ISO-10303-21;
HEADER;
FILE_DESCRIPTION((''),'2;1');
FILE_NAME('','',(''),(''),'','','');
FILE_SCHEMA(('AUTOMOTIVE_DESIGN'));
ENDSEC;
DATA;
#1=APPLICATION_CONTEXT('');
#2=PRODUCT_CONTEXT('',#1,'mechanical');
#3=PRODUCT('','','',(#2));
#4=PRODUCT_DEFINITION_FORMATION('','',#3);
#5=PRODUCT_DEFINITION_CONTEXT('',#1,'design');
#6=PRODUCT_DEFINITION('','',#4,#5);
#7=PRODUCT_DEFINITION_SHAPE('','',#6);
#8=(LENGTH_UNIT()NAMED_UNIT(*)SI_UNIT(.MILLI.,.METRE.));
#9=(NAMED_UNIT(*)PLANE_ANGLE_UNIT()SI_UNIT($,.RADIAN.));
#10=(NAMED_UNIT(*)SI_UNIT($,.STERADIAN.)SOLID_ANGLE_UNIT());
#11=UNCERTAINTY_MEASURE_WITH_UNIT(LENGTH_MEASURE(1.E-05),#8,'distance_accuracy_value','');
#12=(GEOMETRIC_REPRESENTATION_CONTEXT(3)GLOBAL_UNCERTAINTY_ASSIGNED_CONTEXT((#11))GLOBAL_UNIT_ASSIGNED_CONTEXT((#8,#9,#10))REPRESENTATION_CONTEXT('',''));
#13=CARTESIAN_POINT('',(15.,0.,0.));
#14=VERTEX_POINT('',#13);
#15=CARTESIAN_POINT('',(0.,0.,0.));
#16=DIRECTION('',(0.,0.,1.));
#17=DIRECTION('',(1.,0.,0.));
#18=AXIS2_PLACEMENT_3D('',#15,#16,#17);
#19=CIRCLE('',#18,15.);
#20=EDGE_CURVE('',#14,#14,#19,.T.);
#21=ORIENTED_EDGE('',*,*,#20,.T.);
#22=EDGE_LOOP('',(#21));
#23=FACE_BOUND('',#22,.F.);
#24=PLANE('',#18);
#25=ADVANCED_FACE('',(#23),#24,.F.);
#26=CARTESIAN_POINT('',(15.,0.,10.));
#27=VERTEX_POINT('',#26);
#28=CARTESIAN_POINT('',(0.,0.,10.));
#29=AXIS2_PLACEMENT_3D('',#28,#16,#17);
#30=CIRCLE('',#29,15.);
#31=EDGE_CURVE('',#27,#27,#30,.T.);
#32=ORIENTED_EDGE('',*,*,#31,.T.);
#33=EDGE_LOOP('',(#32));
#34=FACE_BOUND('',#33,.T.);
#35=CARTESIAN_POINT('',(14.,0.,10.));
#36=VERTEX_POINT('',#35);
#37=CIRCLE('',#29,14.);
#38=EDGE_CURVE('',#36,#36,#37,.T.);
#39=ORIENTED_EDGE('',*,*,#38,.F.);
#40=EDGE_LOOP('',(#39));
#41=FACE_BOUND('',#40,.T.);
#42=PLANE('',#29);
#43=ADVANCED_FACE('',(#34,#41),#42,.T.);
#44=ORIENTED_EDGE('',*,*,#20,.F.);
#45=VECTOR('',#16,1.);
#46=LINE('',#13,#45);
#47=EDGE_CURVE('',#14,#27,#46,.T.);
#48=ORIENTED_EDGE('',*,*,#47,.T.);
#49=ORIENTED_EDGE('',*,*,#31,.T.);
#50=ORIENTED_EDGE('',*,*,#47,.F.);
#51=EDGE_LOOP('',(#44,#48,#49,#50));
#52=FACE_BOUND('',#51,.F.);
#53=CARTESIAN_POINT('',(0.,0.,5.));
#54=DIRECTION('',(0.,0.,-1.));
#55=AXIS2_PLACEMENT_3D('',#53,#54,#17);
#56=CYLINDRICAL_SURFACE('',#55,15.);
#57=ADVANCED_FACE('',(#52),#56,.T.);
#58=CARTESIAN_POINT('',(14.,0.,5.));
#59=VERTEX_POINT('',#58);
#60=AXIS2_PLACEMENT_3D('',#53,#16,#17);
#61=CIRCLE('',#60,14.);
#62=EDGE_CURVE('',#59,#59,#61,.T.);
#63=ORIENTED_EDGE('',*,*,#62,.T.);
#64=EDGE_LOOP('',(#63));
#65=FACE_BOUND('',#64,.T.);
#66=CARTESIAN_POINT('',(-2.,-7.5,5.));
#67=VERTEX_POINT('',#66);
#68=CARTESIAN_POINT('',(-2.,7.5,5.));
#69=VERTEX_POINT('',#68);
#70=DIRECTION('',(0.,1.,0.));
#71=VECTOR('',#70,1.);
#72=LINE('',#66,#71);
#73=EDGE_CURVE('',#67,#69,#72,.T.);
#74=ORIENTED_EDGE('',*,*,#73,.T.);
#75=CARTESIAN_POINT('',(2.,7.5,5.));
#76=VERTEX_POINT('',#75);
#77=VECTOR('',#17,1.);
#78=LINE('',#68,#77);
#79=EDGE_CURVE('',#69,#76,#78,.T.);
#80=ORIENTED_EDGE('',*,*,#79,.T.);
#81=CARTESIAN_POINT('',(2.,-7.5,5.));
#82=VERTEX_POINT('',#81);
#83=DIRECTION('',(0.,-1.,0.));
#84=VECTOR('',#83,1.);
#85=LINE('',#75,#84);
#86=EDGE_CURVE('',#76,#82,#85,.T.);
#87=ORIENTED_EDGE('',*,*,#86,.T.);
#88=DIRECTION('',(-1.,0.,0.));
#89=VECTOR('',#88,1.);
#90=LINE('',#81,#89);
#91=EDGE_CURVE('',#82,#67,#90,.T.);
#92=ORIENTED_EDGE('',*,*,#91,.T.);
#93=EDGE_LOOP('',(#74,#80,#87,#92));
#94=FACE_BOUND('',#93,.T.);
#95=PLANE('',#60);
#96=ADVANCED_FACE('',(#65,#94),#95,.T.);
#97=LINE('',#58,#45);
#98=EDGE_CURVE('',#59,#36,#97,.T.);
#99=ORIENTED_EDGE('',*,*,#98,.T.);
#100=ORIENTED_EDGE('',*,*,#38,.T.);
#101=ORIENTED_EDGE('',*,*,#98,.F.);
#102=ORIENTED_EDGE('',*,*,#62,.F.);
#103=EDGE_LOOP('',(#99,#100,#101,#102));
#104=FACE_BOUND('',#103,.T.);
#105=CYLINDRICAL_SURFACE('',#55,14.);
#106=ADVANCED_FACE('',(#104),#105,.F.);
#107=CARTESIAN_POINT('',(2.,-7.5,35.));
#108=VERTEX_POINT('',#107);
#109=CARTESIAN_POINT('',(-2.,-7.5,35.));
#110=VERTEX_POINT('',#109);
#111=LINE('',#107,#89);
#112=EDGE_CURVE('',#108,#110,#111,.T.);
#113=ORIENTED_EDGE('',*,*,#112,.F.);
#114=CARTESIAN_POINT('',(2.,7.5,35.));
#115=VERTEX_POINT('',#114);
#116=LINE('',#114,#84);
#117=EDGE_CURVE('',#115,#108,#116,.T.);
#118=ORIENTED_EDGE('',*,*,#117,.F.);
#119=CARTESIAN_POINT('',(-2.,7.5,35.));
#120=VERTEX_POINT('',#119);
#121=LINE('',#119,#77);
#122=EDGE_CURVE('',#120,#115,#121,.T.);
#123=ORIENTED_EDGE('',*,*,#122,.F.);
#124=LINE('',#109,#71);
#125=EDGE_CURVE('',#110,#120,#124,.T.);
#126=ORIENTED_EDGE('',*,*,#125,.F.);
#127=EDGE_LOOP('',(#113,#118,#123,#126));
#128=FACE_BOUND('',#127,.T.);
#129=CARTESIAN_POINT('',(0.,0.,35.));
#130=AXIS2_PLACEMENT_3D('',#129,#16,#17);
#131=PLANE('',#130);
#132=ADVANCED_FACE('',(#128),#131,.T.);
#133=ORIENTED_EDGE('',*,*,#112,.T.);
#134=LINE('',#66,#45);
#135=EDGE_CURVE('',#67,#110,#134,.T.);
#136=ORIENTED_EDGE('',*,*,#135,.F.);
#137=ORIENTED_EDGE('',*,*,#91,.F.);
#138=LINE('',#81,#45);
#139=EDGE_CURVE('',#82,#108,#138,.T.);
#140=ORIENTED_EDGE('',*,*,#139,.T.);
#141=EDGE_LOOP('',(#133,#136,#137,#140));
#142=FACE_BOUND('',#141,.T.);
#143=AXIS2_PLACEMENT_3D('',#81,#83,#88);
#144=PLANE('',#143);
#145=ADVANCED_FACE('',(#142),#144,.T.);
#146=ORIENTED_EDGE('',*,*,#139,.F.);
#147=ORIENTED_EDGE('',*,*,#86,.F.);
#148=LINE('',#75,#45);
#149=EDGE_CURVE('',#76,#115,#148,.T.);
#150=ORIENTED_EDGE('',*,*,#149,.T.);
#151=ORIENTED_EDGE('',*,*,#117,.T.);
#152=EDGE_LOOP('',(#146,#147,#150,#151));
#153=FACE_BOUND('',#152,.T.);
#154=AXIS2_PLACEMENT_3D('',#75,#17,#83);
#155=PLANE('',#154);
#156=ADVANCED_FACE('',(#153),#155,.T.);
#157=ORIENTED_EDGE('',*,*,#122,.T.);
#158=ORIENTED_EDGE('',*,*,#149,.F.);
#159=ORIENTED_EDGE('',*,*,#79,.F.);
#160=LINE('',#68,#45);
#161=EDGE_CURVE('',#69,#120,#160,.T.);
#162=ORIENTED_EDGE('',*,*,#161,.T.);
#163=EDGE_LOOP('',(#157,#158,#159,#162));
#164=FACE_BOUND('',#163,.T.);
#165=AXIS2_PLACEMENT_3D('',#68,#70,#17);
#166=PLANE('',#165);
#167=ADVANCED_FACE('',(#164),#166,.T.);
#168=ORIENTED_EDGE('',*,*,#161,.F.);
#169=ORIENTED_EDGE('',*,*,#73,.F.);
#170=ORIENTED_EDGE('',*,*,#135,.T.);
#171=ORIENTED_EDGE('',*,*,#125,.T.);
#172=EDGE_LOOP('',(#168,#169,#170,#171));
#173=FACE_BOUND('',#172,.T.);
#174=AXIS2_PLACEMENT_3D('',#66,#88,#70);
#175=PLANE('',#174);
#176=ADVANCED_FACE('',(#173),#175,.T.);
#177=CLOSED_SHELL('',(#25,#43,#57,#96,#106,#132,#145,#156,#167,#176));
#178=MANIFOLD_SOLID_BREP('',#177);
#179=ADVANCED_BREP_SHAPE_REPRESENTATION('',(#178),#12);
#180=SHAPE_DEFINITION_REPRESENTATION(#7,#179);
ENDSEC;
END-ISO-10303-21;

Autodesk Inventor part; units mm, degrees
ref_plane "YZ Plane" through (0, 0, 0) normal (1, 0, 0) x (0, 1, 0)
ref_plane "XZ Plane" through (0, 0, 0) normal (0, 1, 0) x (-1, 0, 0)
ref_plane "XY Plane" through (0, 0, 0) normal (0, 0, 1) x (1, 0, 0)
sketch "Sketch2" plane through (0, 0, 0) normal (0, 0, 1) x (1, 0, 0)
  line L0 (-21, 0) -> (21, 0) construction
  line L1 (0, -21) -> (0, 21) construction
  circle A0 centre (0, 0) radius 15
  dimension "d0" = 30
extrude "Extrusion1" add sketch "Sketch2" along normal blind 5
sketch "Sketch3" plane through (0, 0, 5) normal (0, 0, 1) x (1, 0, 0)
  line L0 (-21, 0) -> (21, 0) construction
  line L1 (0, -21) -> (0, 21) construction
  line L2 (-2, 7.5) -> (2, 7.5)
  line L3 (2, 7.5) -> (2, -7.5)
  line L4 (2, -7.5) -> (-2, -7.5)
  line L5 (-2, -7.5) -> (-2, 7.5)
  point P0 (0, 0)
  dimension "d3" = 2
  dimension "d5" = 15
extrude "Extrusion2" add sketch "Sketch3" along normal blind 30
sketch "Sketch4" plane through (0, 0, 5) normal (0, 0, 1) x (1, 0, 0)
  circle A0 centre (0, 0) radius 15 construction
  line L0 (0, -21) -> (0, 21) construction
  line L1 (-21, 0) -> (21, 0) construction
  circle A1 centre (0, 0) radius 14
  circle A2 centre (0, 0) radius 15
  dimension "d8" = 28
extrude "Extrusion3" add sketch "Sketch4" along normal blind 5
properties part number "P011_Chapeau_chambre"
